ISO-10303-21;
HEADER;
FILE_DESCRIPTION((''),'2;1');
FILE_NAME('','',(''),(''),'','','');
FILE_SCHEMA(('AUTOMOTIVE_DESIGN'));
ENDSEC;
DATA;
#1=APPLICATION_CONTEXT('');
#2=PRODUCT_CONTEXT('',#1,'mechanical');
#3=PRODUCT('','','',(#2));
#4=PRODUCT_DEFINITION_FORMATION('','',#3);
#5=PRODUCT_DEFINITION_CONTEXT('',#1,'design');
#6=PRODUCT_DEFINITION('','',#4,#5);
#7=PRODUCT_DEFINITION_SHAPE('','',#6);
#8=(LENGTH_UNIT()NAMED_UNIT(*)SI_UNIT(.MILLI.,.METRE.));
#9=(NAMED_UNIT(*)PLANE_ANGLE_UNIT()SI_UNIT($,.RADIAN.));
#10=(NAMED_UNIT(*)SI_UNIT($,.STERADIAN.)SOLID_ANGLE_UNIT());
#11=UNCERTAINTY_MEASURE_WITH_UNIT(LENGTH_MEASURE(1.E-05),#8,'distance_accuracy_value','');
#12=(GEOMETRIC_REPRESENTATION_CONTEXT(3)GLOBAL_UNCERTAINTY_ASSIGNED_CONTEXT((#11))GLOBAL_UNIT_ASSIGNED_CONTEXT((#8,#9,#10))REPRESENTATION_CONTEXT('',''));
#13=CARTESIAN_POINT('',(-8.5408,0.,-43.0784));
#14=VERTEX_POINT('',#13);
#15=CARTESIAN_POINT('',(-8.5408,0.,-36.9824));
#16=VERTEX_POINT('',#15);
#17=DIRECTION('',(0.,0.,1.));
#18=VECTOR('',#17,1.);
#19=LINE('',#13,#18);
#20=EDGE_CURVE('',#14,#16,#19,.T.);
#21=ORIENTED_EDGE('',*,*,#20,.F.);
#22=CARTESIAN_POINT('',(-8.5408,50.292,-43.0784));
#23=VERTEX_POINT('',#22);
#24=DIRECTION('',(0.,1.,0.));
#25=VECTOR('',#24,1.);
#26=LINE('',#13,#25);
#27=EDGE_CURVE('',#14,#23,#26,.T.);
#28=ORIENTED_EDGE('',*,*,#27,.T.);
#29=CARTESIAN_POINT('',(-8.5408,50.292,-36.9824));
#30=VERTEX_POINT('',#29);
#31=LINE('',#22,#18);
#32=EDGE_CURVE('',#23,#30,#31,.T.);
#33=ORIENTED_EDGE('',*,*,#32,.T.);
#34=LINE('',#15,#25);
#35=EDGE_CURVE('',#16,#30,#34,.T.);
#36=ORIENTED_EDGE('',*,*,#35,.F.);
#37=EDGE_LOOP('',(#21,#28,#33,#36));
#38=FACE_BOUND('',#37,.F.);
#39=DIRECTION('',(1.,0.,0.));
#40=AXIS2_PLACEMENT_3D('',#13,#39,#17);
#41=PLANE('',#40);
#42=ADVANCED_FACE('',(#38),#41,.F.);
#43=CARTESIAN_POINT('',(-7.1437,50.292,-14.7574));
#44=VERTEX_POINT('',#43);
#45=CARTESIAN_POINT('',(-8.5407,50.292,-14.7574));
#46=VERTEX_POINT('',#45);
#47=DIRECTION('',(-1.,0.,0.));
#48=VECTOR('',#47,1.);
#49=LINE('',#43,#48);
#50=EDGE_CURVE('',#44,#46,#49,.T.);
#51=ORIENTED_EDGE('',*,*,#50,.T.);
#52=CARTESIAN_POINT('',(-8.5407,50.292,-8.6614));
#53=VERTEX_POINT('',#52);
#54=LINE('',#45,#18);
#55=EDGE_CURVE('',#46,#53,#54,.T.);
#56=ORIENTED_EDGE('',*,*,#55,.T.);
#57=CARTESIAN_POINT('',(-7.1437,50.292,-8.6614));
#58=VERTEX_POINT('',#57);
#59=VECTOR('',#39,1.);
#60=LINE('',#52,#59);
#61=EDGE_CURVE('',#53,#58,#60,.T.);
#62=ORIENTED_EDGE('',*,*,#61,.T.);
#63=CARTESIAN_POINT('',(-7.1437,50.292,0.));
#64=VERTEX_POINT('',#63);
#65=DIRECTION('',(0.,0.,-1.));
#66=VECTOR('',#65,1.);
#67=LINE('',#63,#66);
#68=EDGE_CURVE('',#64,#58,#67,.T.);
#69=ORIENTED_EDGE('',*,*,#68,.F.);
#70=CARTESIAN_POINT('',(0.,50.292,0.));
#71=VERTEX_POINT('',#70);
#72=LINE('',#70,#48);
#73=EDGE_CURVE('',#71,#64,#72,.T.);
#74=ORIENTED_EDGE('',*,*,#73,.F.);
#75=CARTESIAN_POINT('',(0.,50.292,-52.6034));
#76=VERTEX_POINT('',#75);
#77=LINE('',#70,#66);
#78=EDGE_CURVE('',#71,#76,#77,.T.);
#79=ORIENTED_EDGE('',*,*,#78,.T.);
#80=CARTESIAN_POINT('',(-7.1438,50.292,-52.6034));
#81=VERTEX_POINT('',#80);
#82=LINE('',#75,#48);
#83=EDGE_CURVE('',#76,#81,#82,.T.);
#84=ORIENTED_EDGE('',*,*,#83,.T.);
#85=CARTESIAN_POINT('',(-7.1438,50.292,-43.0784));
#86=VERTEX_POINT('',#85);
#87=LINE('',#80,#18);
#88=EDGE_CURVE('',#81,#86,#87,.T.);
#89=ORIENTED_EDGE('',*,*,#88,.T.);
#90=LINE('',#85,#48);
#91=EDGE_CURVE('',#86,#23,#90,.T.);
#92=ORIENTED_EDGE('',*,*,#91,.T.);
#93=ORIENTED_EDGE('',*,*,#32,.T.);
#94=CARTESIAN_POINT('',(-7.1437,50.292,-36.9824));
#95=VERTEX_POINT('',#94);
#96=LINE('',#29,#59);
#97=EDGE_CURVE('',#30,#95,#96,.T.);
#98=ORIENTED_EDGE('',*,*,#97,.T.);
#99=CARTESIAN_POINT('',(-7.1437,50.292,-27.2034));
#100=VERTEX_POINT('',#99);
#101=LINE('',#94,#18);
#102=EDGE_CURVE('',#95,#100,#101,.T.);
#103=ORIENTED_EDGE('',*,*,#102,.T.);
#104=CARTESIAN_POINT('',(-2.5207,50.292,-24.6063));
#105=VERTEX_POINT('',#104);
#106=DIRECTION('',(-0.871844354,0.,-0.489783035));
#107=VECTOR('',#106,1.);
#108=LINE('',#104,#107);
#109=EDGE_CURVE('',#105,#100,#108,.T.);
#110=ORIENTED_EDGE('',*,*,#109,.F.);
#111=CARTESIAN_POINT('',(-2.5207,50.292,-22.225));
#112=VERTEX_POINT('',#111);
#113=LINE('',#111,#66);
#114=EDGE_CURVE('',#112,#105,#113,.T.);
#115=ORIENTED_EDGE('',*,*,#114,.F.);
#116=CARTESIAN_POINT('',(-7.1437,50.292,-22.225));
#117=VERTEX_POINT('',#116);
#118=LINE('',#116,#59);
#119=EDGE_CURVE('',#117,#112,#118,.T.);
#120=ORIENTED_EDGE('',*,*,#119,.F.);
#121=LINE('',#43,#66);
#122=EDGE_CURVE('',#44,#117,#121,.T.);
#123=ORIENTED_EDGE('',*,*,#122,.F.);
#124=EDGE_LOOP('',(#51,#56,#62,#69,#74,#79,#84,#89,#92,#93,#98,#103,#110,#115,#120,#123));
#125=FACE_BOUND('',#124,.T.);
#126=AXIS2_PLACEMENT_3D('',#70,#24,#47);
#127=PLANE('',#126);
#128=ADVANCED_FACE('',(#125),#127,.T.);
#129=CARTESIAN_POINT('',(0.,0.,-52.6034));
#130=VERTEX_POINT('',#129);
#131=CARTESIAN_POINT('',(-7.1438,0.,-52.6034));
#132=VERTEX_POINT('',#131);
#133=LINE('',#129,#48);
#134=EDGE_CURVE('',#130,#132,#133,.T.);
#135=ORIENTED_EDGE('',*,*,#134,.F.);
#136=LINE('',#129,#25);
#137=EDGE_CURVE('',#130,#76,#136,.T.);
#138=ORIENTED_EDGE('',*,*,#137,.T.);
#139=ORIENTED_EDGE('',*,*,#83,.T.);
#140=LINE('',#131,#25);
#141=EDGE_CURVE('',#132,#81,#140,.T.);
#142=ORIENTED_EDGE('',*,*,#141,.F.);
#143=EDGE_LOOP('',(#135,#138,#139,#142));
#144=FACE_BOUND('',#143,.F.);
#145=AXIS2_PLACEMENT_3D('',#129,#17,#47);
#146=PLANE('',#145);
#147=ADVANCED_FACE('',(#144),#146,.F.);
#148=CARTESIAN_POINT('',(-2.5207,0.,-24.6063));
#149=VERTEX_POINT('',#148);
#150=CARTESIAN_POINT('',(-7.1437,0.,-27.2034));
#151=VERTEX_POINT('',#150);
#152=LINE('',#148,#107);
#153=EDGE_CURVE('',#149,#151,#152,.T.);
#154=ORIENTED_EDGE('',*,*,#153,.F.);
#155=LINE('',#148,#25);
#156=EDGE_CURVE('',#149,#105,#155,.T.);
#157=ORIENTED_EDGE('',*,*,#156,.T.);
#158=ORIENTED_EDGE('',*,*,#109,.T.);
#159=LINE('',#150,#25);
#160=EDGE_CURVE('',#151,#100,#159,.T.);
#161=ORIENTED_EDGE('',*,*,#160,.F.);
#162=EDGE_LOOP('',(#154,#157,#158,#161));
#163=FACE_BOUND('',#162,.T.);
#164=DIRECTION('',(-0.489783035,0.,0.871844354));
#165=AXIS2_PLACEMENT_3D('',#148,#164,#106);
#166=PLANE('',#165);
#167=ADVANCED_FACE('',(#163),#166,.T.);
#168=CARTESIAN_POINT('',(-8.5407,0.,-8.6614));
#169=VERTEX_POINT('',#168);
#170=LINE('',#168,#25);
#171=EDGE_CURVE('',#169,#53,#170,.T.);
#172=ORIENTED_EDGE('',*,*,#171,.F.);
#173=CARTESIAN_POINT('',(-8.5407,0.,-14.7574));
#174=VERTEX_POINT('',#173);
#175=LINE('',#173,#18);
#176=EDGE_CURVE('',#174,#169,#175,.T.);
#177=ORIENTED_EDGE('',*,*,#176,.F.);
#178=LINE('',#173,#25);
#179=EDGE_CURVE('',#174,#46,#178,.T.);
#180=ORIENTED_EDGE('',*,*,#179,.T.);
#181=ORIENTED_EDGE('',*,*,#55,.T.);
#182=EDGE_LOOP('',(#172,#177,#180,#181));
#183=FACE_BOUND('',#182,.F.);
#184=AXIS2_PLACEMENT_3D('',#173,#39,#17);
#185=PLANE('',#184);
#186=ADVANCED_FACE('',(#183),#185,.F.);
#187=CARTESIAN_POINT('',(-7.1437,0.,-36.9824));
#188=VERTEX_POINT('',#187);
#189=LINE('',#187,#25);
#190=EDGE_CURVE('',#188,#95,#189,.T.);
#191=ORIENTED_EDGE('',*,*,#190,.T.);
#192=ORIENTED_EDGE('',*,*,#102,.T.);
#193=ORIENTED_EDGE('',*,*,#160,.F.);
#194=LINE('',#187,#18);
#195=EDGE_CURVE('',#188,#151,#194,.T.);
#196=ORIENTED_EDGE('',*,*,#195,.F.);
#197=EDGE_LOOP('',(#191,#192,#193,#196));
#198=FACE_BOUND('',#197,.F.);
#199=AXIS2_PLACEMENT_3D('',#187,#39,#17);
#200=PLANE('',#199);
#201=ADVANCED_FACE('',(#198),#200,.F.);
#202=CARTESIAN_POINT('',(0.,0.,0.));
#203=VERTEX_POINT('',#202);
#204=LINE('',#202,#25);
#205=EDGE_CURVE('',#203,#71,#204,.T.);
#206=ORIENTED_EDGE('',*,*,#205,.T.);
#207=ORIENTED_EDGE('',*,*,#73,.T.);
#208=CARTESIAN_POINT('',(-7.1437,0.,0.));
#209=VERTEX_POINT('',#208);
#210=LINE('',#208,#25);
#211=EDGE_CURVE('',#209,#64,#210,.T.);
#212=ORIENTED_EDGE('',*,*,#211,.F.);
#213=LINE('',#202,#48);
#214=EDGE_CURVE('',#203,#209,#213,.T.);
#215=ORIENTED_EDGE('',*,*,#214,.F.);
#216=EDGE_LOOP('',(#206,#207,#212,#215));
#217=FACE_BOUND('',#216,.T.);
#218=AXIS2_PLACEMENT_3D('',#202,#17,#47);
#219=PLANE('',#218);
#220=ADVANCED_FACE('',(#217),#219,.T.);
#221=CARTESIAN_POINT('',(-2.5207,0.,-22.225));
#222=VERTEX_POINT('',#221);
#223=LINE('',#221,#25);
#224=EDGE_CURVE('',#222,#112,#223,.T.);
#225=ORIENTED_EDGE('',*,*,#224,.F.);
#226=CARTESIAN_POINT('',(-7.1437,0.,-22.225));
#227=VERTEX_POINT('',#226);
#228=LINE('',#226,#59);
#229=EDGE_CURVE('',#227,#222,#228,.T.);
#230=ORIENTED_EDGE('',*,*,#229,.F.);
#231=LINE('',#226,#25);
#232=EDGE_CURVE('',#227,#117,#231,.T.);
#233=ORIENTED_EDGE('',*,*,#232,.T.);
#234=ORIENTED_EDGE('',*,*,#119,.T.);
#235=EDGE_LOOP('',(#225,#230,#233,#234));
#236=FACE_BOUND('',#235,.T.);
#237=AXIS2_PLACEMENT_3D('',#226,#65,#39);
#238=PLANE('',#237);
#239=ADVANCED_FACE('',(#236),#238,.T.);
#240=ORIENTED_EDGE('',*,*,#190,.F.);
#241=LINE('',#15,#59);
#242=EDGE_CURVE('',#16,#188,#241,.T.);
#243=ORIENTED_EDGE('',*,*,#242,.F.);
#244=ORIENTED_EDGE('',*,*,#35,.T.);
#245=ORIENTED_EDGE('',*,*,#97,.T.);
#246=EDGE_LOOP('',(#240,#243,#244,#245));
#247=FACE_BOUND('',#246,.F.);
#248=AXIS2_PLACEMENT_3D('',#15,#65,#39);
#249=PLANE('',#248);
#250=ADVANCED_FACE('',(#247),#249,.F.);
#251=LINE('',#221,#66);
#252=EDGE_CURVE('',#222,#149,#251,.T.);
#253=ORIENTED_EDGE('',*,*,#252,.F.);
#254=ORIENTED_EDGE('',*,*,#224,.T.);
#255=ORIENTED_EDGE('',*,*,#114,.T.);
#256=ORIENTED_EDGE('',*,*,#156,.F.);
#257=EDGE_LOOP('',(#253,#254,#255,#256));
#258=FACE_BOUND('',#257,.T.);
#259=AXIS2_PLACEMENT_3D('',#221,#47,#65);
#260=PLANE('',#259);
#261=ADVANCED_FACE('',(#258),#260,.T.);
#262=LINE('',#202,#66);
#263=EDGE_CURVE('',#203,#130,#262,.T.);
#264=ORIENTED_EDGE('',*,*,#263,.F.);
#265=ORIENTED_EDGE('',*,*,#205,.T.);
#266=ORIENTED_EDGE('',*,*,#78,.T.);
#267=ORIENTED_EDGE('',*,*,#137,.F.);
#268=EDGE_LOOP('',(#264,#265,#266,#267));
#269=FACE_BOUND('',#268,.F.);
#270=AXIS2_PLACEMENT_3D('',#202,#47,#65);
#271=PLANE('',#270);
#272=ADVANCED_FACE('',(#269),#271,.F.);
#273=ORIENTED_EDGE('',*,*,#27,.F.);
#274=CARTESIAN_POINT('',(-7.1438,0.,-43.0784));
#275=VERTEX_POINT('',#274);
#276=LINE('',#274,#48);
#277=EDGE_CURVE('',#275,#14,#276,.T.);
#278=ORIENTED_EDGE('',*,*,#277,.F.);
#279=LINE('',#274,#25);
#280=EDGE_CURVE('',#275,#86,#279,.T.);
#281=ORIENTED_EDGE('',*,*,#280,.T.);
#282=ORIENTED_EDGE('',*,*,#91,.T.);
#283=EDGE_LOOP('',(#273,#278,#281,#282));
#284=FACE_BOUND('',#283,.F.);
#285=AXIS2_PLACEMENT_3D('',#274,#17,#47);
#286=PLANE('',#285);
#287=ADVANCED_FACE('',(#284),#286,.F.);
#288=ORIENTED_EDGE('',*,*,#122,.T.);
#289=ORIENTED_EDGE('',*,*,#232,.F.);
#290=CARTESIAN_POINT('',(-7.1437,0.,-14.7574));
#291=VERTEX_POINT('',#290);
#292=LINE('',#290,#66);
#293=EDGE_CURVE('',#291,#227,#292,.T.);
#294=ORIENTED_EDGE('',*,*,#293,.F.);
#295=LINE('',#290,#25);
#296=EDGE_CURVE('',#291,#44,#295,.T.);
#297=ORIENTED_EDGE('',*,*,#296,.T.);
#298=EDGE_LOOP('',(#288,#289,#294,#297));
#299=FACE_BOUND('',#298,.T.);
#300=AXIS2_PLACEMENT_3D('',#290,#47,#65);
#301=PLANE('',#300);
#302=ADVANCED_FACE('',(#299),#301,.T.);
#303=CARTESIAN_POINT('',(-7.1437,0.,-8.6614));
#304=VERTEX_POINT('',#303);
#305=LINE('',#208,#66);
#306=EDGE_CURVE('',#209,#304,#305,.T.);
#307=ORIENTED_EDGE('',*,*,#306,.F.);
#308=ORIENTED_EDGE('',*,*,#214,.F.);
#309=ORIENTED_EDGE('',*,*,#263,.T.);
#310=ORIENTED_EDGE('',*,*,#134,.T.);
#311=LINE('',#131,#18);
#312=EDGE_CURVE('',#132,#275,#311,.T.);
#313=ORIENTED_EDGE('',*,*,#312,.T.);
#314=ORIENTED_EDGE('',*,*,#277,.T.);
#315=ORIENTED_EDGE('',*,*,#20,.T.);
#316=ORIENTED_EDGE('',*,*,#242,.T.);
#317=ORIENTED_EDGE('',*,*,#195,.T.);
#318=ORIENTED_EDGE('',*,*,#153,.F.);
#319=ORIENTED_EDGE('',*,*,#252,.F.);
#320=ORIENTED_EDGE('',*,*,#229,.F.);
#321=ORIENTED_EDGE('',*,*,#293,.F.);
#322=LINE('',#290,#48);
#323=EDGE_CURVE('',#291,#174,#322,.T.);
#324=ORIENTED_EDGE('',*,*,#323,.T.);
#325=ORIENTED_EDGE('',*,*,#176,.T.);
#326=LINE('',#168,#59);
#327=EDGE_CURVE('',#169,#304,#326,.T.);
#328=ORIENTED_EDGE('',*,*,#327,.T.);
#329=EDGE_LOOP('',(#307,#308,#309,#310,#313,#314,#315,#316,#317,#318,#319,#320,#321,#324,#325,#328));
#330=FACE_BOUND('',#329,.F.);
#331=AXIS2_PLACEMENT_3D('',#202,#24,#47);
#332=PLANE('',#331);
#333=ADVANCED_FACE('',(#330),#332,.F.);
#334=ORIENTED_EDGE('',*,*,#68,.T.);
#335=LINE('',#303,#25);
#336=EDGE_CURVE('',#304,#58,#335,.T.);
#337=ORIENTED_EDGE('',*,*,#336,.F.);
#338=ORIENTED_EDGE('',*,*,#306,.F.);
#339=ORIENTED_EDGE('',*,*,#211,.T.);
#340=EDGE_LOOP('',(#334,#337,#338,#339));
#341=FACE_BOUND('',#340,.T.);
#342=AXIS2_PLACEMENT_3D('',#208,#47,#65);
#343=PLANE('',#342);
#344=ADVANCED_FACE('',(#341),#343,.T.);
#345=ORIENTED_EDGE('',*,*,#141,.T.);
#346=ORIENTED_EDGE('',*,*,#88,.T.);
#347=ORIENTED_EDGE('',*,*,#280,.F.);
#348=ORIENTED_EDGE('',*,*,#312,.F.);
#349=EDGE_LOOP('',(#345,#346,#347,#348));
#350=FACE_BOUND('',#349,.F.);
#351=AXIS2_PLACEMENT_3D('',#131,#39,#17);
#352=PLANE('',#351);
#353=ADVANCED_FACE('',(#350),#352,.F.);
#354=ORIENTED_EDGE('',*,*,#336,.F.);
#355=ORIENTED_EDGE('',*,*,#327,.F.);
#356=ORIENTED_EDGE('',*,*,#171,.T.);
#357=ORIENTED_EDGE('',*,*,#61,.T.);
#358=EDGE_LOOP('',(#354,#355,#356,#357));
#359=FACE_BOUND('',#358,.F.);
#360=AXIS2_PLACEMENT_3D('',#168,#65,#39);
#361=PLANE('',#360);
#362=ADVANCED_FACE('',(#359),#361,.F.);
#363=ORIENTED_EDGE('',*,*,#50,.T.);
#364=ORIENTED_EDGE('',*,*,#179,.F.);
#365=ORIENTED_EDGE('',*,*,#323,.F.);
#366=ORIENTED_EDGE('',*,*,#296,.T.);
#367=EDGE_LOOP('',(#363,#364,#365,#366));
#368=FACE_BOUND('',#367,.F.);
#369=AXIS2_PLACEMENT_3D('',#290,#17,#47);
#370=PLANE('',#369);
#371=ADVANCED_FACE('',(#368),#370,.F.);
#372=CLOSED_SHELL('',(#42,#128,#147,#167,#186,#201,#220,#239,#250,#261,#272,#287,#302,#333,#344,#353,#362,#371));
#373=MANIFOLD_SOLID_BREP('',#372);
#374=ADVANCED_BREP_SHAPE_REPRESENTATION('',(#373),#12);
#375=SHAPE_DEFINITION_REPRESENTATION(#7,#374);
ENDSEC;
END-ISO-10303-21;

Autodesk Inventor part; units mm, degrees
ref_plane "YZ Plane" through (0, 0, 0) normal (1, 0, 0) x (0, 1, 0)
ref_plane "XZ Plane" through (0, 0, 0) normal (0, 1, 0) x (-1, 0, 0)
ref_plane "XY Plane" through (0, 0, 0) normal (0, 0, 1) x (1, 0, 0)
sketch "Sketch1" plane through (0, 0, 0) normal (0, 1, 0) x (-1, 0, 0)
  line L0 (0, 0) -> (0, -52.6034)
  line L1 (0, -52.6034) -> (7.1438, -52.6034)
  line L2 (7.1438, -43.0784) -> (8.5408, -43.0784)
  line L3 (8.5408, -43.0784) -> (8.5408, -36.9824)
  line L4 (8.5408, -36.9824) -> (7.1437, -36.9824)
  line L5 (7.1438, -52.6034) -> (7.1438, -43.0784)
  line L6 (7.1437, -36.9824) -> (7.1437, -27.2034)
  line L7 (0, 0) -> (7.1437, 0)
  line L8 (7.1437, -22.225) -> (2.5207, -22.225)
  line L9 (2.5207, -22.225) -> (2.5207, -24.6063)
  line L10 (2.5207, -24.6063) -> (7.1437, -27.2034)
  line L11 (7.1437, -14.7574) -> (8.5407, -14.7574)
  line L12 (8.5407, -14.7574) -> (8.5407, -8.6614)
  line L13 (8.5407, -8.6614) -> (7.1437, -8.6614)
  line L14 (7.1437, 0) -> (7.1437, -8.6614)
  line L15 (7.1437, -14.7574) -> (7.1437, -22.225)
  dimension "d2" = 52.6034
  dimension "d3" = 7.1437
  dimension "d4" = 25.4
  dimension "d14" = 1.397
  dimension "d15" = 6.096
  dimension "d17" = 9.525
  dimension "d36" = 7.1437
  dimension "d41" = 22.225
  dimension "d42" = 2.3813
  dimension "d43" = 1.397
  dimension "d44" = 1.397
  dimension "d45" = 6.096
  dimension "d46" = 22.225
  dimension "d47" = 8.6614
  dimension "d48" = 4.6231
extrude "Extrusion1" add sketch "Sketch1" along normal blind 50.292
equation "\"d36\" = d3"
equation "\"d43\" = d14"
equation "\"d44\" = d14"
equation "\"d45\" = d15"
properties part number "80-20 extrusion rail"
